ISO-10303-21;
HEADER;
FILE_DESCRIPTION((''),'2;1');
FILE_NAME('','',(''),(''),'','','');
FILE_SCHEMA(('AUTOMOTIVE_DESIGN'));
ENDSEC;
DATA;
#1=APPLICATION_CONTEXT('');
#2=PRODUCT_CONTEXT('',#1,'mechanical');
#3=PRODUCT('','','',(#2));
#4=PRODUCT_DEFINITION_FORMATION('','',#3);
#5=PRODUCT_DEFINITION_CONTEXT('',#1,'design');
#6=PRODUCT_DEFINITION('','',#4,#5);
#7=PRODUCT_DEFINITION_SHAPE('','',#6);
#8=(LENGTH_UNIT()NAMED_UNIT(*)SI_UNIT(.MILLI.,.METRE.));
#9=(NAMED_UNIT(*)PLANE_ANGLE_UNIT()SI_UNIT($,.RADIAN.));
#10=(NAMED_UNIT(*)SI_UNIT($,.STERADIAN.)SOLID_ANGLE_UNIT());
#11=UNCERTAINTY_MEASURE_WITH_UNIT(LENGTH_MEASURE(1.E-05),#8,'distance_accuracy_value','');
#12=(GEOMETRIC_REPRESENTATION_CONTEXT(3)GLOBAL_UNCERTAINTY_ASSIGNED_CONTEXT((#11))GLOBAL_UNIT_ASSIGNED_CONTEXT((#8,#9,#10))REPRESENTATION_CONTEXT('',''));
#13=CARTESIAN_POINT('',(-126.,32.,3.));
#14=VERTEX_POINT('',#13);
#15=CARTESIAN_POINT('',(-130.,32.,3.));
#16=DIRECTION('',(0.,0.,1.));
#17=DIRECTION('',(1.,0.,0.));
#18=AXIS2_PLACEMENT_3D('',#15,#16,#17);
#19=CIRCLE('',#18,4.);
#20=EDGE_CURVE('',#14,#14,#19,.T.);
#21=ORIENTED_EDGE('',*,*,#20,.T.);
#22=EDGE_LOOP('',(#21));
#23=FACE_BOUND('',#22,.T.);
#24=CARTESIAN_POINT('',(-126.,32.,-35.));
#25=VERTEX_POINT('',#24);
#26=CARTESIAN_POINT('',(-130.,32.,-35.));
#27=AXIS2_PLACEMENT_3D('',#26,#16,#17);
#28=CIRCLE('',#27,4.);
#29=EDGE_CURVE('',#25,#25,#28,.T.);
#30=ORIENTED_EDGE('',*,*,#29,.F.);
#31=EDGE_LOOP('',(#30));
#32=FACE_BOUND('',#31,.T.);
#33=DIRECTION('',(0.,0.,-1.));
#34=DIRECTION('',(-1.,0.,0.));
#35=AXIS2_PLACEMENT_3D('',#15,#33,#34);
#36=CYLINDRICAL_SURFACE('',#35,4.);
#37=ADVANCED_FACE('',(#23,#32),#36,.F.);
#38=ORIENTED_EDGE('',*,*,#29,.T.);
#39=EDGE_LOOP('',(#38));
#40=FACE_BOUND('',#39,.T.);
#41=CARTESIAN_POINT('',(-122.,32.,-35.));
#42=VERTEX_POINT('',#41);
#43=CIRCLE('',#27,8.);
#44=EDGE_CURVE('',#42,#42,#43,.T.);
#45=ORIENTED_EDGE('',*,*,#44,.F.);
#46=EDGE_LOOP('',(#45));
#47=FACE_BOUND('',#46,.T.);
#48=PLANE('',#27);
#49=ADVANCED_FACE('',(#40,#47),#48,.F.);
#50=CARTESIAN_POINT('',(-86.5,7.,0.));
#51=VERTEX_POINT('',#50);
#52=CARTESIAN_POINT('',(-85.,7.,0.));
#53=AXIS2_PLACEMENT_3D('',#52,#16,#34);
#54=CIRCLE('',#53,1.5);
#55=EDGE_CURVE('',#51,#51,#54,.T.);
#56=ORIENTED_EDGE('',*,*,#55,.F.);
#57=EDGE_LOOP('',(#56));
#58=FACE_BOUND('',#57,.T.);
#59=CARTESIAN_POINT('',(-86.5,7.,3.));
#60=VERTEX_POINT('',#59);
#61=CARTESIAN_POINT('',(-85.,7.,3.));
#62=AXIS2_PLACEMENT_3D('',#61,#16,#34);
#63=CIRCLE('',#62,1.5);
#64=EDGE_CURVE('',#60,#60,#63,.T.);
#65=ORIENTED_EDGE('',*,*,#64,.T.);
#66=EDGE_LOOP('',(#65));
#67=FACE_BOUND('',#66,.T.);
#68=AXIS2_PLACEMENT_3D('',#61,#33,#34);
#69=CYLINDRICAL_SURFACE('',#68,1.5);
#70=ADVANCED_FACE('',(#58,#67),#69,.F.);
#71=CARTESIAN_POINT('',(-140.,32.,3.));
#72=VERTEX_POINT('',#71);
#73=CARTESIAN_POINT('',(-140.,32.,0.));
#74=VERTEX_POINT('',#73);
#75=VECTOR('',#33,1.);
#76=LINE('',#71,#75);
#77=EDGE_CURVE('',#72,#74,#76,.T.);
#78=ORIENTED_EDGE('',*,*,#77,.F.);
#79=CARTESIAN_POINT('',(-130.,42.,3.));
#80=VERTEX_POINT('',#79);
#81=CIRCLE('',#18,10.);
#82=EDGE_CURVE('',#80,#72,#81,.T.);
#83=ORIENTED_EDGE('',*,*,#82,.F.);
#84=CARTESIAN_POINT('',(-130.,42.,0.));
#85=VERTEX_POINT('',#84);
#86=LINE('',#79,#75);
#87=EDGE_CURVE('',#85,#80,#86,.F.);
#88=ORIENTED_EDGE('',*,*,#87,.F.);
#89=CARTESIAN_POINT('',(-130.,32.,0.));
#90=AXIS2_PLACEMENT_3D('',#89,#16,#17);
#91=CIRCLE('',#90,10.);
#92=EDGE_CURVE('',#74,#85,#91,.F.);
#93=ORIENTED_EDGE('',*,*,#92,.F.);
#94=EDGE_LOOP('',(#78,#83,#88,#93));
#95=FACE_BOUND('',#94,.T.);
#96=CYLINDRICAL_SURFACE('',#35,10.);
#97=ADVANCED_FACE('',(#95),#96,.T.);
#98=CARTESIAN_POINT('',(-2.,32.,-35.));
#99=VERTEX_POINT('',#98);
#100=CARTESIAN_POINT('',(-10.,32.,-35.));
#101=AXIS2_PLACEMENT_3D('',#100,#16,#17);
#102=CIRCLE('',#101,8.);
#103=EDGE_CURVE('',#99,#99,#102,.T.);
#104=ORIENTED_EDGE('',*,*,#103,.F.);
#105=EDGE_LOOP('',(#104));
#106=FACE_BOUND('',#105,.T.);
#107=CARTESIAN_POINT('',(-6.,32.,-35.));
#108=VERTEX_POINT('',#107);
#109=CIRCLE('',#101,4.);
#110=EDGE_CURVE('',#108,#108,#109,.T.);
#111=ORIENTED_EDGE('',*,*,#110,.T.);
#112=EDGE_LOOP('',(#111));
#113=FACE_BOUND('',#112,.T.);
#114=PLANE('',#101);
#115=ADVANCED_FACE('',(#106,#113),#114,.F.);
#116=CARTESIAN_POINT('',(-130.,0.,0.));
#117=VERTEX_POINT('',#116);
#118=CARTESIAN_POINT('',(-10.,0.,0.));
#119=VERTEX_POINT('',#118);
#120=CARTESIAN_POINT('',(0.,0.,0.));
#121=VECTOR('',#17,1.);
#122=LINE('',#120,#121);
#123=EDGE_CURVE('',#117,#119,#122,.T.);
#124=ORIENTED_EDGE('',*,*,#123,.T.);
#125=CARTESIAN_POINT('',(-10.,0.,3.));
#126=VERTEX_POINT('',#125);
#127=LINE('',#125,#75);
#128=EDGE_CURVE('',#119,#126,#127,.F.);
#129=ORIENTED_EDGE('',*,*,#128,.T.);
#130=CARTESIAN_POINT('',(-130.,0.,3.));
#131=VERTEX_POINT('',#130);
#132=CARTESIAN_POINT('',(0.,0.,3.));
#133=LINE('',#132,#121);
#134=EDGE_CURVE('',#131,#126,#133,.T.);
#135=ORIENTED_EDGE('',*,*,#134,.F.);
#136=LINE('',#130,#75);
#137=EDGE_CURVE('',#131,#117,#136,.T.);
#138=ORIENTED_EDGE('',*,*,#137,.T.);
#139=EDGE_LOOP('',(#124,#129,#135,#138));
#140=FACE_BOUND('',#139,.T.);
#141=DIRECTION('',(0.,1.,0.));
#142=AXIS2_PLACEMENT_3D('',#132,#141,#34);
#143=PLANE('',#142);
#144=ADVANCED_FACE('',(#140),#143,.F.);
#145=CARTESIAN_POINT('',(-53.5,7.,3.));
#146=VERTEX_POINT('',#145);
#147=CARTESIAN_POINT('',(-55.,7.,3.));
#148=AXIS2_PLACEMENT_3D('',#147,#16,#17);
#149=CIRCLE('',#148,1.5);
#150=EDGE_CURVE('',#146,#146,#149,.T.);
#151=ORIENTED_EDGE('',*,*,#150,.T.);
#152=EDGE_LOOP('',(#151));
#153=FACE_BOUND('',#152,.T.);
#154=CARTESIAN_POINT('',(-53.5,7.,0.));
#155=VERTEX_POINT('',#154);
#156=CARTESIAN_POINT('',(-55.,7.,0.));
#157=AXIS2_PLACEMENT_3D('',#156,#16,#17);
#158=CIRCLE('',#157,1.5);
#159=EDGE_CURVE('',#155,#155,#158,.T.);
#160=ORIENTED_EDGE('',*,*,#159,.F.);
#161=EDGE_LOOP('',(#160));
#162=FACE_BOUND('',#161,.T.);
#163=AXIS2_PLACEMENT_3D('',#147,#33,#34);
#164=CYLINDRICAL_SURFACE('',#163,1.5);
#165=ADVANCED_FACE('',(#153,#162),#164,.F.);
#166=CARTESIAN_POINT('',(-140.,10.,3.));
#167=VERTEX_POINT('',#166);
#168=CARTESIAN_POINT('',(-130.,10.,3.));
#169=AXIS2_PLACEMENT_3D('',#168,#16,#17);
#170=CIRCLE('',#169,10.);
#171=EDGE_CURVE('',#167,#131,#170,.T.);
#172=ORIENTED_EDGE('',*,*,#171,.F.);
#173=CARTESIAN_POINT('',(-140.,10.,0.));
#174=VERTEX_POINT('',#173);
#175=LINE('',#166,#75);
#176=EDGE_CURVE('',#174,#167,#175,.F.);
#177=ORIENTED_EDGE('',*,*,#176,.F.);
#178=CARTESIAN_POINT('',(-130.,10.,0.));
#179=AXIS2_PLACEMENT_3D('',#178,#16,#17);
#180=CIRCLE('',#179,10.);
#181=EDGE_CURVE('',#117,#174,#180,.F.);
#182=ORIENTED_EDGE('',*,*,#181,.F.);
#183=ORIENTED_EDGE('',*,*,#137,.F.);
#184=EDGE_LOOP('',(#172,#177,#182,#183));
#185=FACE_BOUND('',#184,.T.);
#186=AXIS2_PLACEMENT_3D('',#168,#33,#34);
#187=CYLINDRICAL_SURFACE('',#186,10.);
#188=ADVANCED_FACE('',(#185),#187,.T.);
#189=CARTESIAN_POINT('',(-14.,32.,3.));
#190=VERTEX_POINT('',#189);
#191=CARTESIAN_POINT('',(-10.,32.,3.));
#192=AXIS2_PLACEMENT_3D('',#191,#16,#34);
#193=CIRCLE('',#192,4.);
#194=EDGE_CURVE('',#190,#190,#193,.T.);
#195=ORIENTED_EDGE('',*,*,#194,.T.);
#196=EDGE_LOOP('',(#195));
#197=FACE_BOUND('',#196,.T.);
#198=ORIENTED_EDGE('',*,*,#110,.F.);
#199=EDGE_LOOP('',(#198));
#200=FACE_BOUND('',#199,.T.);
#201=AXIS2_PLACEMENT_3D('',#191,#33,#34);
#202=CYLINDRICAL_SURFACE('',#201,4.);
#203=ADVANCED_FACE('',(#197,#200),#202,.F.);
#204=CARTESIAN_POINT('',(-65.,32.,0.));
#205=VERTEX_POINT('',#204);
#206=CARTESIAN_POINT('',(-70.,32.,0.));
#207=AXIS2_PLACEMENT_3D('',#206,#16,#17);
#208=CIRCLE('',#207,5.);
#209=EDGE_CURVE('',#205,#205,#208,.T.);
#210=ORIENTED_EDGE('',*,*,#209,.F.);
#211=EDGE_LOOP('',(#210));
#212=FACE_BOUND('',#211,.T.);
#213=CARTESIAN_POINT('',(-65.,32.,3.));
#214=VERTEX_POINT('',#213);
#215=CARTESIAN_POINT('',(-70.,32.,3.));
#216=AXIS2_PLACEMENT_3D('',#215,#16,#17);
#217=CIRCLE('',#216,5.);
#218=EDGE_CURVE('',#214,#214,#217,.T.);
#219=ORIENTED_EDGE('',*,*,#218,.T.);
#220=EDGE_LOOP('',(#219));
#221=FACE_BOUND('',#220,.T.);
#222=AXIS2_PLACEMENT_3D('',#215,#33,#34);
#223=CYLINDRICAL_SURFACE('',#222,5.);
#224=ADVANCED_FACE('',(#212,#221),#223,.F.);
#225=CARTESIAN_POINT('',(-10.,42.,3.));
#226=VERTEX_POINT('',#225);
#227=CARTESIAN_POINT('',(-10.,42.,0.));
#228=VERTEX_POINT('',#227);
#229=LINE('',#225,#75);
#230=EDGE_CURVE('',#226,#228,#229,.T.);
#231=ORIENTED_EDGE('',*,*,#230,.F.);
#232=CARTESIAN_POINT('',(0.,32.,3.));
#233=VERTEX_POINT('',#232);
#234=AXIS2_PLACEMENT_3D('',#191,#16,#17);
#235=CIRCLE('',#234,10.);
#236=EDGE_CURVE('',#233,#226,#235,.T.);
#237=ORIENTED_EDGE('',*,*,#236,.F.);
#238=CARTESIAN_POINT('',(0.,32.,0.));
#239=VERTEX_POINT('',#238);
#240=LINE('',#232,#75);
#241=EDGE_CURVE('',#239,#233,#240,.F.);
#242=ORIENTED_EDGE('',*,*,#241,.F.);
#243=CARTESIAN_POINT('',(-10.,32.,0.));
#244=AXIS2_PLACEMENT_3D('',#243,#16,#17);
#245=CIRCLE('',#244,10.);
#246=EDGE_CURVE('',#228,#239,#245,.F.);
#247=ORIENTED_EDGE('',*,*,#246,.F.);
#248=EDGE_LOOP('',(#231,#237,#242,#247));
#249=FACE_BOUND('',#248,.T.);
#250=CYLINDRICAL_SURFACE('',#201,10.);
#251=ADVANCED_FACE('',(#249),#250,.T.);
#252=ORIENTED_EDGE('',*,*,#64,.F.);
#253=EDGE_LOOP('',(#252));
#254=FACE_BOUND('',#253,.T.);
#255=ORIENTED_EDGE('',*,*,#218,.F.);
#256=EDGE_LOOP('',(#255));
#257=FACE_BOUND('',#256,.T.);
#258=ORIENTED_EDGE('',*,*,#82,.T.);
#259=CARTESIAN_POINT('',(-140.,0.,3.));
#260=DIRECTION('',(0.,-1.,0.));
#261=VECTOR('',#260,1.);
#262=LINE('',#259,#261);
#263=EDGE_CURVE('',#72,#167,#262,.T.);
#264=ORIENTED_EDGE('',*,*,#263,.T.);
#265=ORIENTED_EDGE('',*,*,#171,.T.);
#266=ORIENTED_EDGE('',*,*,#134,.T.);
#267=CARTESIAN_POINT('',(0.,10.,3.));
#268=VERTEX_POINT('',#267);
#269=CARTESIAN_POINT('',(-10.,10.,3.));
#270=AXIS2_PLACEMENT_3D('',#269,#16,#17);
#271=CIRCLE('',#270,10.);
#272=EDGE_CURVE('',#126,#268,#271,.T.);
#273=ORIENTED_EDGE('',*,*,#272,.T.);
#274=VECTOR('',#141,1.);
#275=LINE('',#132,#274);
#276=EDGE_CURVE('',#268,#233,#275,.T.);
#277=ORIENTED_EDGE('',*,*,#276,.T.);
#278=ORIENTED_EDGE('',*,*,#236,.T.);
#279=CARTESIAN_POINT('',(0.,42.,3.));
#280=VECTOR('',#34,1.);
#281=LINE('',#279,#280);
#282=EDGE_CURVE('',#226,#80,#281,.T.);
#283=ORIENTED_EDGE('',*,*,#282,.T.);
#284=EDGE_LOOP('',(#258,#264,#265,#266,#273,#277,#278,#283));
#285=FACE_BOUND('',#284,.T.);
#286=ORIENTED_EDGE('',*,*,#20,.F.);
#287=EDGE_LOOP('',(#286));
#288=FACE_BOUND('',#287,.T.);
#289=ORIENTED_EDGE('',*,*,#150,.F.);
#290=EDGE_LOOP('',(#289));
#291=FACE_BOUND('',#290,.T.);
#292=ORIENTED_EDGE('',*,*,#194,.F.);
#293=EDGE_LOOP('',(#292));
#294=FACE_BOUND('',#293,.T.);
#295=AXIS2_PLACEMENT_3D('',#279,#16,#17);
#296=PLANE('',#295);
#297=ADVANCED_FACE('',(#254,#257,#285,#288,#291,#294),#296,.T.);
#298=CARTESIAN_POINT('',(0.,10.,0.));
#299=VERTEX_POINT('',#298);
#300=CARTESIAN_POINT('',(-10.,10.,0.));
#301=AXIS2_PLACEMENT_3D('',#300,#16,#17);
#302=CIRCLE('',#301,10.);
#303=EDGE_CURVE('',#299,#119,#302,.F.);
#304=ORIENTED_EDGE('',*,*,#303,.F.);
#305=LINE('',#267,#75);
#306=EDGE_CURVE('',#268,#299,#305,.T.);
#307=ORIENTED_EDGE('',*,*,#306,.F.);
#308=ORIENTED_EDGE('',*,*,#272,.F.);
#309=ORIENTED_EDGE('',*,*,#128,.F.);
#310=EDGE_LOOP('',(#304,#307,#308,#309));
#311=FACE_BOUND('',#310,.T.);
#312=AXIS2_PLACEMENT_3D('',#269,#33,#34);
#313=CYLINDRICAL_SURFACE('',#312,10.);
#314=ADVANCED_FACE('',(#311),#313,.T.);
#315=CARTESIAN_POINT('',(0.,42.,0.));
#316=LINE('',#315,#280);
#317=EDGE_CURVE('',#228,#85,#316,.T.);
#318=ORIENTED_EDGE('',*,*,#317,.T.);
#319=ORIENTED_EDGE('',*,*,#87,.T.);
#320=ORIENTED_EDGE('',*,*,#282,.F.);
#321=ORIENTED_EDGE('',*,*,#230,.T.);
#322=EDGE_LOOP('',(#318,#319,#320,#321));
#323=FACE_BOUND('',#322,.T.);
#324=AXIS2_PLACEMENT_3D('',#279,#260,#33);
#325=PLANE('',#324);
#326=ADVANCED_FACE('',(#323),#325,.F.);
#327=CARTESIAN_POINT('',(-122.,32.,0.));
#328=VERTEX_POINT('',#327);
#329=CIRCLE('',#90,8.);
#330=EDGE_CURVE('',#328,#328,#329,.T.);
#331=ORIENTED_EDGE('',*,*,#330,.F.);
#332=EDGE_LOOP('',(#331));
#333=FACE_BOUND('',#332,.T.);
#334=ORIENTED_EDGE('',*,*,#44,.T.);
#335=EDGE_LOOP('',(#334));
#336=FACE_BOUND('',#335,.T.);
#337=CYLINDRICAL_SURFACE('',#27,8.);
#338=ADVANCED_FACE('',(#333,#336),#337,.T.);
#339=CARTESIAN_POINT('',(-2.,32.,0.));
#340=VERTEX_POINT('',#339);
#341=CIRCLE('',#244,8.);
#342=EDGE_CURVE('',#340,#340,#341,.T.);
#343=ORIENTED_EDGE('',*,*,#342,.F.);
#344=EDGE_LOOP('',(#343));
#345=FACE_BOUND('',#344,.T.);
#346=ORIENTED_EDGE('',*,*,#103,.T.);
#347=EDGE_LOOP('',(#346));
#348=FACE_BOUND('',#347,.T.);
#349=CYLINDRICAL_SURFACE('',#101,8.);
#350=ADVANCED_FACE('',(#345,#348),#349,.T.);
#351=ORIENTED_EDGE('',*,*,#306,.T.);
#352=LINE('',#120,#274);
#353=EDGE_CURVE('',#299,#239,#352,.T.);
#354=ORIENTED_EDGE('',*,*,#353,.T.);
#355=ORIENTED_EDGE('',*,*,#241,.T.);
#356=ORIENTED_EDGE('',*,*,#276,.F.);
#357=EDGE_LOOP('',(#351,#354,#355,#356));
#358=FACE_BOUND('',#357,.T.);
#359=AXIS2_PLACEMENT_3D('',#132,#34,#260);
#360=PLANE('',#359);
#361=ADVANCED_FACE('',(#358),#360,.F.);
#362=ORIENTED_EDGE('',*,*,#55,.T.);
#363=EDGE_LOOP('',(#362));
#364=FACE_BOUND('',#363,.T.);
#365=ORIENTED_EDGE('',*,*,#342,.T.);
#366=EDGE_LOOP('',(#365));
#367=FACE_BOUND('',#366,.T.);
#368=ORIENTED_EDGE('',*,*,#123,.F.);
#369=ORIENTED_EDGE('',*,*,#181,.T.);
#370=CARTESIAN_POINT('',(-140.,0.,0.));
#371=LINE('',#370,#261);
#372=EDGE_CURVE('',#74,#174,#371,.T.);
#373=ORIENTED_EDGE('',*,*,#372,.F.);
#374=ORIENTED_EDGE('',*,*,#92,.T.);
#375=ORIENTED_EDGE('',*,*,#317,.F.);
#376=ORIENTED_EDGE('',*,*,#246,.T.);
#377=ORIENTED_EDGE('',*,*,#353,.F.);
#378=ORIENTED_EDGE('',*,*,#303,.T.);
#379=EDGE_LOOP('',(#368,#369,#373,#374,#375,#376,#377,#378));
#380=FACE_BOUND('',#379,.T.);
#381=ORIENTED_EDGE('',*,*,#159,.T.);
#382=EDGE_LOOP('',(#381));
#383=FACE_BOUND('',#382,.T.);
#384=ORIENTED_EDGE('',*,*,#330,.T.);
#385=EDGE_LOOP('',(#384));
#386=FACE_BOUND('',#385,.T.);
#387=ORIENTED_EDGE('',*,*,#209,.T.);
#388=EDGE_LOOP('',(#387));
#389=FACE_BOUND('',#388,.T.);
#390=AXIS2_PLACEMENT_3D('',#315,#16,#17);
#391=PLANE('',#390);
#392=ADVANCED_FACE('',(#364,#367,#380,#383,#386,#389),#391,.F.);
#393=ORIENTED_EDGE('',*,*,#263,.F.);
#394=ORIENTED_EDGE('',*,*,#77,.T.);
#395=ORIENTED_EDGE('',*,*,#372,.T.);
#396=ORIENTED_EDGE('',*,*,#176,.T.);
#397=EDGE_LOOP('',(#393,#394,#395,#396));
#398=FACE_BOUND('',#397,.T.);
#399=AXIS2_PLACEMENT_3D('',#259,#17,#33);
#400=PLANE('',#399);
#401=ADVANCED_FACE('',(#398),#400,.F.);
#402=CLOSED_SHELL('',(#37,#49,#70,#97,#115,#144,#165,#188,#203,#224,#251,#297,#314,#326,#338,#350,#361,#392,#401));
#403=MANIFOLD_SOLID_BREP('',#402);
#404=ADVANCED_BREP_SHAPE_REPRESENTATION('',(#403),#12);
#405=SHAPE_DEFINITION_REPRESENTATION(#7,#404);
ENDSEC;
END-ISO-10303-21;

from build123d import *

# Parameters (mm, degrees)
ESQUISSE1_W        = 140
ESQUISSE1_H        = 42
ESQUISSE1_R        = 5
ESQUISSE1_R_2      = 4
ESQUISSE1_R_3      = 1.5
BOSS_EXTRU_1_DEPTH = 3
CONG_1_R           = 10
CONG_2_R           = 10
ESQUISSE2_R        = 8
ESQUISSE2_R_2      = 4
BOSS_EXTRU_2_DEPTH = 38


with BuildPart() as part:
    # Esquisse1 → Boss.-Extru.1 (new body)
    with BuildSketch(Plane.XY):
        with Locations((-70, 21)):
            Rectangle(ESQUISSE1_W, ESQUISSE1_H)
        with Locations((-70, 32)):
            Circle(ESQUISSE1_R, mode=Mode.SUBTRACT)
        with Locations((-130, 32)):
            Circle(ESQUISSE1_R_2, mode=Mode.SUBTRACT)
        with Locations((-55, 7)):
            Circle(ESQUISSE1_R_3, mode=Mode.SUBTRACT)
        with Locations((-10, 32)):
            Circle(ESQUISSE1_R_2, mode=Mode.SUBTRACT)
        with Locations((-85, 7)):
            Circle(ESQUISSE1_R_3, mode=Mode.SUBTRACT)
    extrude(amount=BOSS_EXTRU_1_DEPTH)

    # Congé1
    cong_1_edges = [part.edges().sort_by_distance(p)[0] for p in [
        (-140, 42, 1.5),
        (0, 42, 1.5),
    ]]
    fillet(cong_1_edges, radius=CONG_1_R)

    # Congé2
    cong_2_edges = [part.edges().sort_by_distance(p)[0] for p in [
        (0, 0, 1.5),
        (-140, 0, 1.5),
    ]]
    fillet(cong_2_edges, radius=CONG_2_R)

    # Esquisse2 → Boss.-Extru.2 (add)
    with BuildSketch(Plane.XY.offset(3)):
        with Locations((-10, 32)):
            Circle(ESQUISSE2_R)
        with Locations((-10, 32)):
            Circle(ESQUISSE2_R_2, mode=Mode.SUBTRACT)
        with Locations((-130, 32)):
            Circle(ESQUISSE2_R)
        with Locations((-130, 32)):
            Circle(ESQUISSE2_R_2, mode=Mode.SUBTRACT)
    extrude(amount=-BOSS_EXTRU_2_DEPTH)


solid = part.part
